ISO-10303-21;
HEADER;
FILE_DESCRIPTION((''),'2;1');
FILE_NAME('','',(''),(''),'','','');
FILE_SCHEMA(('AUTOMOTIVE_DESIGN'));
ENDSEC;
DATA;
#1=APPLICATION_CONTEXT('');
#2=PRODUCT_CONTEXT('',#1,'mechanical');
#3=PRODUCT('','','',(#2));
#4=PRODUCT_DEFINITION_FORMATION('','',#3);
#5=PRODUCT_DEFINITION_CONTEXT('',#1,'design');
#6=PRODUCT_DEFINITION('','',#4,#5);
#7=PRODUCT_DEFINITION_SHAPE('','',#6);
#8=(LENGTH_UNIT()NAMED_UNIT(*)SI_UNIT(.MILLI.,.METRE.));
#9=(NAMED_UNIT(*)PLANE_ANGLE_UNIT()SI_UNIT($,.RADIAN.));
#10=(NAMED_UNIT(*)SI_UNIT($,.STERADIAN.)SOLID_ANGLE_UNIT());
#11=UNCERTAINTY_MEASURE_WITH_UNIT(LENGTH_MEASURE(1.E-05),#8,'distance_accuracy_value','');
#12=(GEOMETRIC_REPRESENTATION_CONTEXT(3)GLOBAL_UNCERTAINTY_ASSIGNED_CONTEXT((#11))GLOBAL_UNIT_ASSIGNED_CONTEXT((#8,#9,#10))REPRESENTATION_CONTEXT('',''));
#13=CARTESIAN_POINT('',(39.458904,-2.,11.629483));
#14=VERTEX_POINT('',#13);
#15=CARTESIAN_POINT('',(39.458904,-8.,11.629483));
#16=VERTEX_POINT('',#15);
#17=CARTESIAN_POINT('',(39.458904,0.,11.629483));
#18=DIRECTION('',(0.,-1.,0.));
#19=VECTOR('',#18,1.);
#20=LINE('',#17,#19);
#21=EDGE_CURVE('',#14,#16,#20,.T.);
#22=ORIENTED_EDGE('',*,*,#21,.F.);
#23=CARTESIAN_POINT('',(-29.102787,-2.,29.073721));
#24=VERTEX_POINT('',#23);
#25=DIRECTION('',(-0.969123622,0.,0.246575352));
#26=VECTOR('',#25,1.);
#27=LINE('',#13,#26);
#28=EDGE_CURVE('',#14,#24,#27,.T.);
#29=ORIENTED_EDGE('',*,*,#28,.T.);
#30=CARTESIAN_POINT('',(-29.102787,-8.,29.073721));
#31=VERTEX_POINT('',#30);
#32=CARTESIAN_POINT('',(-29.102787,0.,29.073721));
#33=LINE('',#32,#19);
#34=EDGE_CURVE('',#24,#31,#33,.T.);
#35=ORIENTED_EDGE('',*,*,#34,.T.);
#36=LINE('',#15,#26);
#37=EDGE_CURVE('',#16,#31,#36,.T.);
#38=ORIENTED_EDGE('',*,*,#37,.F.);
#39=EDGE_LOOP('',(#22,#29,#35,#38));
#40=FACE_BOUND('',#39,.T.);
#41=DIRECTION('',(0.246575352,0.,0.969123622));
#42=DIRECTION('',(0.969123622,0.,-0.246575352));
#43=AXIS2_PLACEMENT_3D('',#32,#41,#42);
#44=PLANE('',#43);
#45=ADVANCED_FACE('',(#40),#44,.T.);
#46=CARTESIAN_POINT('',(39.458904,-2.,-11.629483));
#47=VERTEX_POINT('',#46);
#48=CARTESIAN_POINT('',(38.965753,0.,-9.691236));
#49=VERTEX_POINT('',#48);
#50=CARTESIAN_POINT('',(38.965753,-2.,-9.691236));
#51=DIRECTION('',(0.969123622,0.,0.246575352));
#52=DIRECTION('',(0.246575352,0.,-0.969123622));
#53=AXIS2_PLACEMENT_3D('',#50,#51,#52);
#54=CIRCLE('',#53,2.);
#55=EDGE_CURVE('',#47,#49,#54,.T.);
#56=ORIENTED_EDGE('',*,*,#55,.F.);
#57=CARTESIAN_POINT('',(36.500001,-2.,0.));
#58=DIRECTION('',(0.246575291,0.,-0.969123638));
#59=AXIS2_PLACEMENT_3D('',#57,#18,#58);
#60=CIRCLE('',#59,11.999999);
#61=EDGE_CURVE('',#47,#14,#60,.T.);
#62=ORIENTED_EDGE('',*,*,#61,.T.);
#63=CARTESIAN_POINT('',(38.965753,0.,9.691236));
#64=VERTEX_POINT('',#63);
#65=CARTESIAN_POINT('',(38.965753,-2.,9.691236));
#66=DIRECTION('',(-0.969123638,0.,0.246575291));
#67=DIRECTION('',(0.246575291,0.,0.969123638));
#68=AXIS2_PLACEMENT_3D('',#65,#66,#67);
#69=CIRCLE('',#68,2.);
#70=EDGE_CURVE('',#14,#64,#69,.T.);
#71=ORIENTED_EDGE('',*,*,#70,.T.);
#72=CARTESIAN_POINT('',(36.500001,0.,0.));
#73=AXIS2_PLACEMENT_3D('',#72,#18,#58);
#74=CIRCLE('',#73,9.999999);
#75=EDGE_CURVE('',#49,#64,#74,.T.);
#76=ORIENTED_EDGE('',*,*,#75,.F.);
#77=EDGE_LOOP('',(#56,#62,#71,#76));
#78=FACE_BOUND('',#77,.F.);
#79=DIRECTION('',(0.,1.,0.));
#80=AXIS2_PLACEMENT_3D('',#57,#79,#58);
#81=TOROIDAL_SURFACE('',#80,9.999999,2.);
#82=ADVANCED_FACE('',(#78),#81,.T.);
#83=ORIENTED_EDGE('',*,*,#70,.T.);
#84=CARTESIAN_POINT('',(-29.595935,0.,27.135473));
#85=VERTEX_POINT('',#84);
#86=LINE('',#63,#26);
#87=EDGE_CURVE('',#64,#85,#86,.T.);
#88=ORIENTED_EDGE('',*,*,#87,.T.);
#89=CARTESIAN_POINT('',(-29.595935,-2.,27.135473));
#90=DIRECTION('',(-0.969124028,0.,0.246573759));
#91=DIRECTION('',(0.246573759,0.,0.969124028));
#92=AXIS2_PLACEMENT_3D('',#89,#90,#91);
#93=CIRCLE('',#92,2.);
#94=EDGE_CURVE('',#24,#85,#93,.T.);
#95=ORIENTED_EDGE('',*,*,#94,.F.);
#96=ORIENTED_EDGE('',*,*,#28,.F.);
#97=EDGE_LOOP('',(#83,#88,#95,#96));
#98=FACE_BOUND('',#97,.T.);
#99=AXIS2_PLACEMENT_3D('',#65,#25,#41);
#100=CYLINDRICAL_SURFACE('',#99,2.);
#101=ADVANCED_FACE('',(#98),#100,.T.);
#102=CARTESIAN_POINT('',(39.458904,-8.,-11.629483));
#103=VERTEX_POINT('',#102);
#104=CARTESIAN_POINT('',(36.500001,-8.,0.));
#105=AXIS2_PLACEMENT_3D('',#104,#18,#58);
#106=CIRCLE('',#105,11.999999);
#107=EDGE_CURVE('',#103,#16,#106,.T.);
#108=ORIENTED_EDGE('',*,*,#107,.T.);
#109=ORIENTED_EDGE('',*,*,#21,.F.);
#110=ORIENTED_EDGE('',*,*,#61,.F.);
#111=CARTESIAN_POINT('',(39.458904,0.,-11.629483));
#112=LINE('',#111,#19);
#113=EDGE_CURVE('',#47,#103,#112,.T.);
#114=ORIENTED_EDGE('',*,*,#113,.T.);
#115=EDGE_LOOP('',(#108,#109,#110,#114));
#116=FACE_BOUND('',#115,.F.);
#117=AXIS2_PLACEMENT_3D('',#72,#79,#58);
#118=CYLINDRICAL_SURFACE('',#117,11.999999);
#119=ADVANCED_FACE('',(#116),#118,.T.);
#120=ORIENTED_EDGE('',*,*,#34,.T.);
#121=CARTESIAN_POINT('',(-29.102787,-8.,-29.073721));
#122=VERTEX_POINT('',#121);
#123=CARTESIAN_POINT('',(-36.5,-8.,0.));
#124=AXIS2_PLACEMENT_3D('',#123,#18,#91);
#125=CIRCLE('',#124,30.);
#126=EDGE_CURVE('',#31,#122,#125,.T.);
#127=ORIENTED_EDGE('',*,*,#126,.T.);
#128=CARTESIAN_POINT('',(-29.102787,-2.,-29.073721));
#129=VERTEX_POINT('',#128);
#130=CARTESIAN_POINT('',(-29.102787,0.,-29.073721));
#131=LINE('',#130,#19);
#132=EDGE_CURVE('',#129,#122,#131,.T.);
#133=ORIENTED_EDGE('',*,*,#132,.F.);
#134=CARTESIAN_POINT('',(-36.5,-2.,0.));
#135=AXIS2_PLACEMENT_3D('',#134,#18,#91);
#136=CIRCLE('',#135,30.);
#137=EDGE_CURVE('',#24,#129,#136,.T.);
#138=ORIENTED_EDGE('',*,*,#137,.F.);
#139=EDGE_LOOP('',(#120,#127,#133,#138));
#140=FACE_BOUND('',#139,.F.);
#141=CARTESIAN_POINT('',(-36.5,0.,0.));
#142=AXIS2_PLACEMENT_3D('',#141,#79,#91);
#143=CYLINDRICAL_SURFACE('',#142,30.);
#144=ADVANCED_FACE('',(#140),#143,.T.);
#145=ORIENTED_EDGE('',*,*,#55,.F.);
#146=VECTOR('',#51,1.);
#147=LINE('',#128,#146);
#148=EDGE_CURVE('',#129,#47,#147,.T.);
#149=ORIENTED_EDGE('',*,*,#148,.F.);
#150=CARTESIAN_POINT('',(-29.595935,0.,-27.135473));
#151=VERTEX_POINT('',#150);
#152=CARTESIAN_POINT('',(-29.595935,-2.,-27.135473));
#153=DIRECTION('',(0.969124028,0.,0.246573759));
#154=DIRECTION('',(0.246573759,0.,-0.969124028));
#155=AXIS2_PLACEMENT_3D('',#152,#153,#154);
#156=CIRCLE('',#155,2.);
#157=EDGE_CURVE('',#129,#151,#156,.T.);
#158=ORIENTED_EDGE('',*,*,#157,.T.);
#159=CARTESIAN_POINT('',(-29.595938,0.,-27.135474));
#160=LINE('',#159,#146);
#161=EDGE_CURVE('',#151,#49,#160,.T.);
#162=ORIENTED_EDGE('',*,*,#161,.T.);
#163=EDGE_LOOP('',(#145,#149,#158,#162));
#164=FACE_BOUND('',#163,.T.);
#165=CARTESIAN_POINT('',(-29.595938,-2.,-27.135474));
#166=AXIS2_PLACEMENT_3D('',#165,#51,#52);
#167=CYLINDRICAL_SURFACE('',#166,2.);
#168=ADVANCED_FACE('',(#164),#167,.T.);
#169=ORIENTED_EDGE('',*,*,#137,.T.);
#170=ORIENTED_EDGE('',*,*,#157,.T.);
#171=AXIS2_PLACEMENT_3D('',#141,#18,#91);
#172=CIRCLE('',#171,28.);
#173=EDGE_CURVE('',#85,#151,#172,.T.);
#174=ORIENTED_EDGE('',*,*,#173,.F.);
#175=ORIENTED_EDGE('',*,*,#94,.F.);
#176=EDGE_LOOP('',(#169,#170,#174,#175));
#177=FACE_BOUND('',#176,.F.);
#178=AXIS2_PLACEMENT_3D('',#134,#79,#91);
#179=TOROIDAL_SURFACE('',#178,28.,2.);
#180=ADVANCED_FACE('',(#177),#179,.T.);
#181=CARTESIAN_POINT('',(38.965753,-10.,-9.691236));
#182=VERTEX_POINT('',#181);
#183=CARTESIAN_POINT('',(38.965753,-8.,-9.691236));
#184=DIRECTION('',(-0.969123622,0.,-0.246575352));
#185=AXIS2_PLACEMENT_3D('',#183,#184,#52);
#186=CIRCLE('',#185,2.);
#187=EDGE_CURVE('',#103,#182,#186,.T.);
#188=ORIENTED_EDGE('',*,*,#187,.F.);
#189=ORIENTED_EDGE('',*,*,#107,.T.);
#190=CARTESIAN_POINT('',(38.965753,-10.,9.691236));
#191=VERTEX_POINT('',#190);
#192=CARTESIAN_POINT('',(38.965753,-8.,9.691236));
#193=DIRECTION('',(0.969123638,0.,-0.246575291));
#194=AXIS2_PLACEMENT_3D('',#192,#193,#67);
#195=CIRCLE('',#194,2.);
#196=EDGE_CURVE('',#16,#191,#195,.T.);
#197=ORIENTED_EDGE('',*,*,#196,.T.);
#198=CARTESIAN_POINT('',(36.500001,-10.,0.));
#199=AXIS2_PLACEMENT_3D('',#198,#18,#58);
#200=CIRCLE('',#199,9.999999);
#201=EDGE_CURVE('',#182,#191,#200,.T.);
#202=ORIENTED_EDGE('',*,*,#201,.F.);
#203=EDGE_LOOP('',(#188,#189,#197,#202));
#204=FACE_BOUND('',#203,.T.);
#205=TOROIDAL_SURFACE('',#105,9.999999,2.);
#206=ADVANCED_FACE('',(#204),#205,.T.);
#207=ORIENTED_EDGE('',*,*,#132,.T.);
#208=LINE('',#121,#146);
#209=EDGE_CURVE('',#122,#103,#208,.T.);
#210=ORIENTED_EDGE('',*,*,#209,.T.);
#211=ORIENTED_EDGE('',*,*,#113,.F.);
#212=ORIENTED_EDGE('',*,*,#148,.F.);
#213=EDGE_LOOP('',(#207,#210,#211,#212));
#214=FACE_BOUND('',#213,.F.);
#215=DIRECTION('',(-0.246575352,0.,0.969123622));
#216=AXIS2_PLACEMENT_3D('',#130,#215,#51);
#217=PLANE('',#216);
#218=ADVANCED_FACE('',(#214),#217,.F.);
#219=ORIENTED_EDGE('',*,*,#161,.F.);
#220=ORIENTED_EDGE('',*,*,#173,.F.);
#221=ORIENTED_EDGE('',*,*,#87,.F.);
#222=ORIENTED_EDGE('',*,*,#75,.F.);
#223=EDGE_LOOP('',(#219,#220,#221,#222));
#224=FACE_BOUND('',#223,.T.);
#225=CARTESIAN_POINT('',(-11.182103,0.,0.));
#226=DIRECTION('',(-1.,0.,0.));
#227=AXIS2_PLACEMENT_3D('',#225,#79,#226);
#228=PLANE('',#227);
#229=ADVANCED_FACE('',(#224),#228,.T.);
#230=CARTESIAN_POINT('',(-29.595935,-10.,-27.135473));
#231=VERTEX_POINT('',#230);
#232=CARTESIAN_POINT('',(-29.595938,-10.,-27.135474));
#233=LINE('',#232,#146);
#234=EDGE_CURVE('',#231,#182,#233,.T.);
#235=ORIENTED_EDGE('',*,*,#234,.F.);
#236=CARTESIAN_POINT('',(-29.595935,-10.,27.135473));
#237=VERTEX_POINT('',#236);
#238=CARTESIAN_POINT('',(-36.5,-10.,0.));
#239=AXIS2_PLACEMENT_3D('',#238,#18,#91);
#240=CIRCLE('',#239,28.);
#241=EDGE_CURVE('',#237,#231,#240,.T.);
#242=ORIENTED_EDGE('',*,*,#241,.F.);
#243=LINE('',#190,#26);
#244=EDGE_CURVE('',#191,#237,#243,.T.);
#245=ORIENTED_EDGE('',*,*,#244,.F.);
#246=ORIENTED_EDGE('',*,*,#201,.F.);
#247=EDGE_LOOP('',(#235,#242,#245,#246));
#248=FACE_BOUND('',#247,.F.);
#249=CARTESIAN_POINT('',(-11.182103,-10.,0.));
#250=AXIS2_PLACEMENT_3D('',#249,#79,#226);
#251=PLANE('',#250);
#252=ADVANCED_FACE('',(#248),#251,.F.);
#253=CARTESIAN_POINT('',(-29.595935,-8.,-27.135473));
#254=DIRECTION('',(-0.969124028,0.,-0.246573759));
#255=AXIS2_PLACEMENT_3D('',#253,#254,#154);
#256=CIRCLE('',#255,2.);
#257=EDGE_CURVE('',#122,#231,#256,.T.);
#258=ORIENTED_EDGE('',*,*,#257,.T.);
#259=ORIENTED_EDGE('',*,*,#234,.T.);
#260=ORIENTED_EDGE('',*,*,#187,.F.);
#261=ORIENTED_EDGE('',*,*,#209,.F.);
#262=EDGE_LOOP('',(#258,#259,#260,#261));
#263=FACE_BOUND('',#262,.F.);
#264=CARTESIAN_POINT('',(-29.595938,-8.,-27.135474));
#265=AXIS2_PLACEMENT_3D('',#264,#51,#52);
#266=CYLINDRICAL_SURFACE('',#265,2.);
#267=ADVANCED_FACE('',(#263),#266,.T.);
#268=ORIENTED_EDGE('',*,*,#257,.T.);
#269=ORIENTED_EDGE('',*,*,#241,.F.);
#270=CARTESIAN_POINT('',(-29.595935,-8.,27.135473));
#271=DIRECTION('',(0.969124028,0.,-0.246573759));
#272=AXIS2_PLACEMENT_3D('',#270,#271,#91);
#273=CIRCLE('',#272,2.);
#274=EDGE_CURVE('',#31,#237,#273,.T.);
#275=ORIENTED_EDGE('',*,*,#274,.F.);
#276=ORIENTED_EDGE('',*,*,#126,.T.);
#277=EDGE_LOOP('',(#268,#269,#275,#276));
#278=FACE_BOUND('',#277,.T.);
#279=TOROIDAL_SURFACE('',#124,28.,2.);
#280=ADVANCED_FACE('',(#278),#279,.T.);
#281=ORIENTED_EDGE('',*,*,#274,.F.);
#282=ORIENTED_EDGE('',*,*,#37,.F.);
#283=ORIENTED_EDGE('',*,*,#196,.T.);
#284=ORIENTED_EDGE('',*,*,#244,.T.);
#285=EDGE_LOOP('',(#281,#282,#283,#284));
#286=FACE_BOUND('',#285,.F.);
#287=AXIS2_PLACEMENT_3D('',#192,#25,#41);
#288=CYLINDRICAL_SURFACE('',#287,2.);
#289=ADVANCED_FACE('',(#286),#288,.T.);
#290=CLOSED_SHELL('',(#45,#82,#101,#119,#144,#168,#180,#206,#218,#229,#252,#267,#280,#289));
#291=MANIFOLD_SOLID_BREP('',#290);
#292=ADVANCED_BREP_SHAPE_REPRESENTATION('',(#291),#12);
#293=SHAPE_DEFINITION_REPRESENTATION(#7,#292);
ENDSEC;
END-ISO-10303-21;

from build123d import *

# Parameters (mm, degrees)
PAD_DEPTH = 10
FILLET_R  = 2


with BuildPart() as part:
    # Sketch → Pad (new body)
    with BuildSketch(Plane.XZ):
        with BuildLine():
            Line((-29.102787, 29.073721), (39.458904, 11.629483))
            ThreePointArc((39.458904, -11.629483), (48.5, 0), (39.458904, 11.629483))
            Line((-29.102787, -29.073721), (39.458904, -11.629483))
            ThreePointArc((-29.102787, 29.073721), (-66.5, 0), (-29.102787, -29.073721))
        make_face()
    extrude(amount=PAD_DEPTH)

    # Fillet
    fillet_edges = [part.edges().sort_by_distance(p)[0] for p in [
        (-66.5, -10, 0),
        (5.178059, -10, 20.351602),
        (48.5, -10, 0),
        (5.178059, -10, -20.351602),
        (-66.5, 0, 0),
        (5.178059, 0, 20.351602),
        (48.5, 0, 0),
        (5.178059, 0, -20.351602),
    ]]
    fillet(fillet_edges, radius=FILLET_R)


solid = part.part
